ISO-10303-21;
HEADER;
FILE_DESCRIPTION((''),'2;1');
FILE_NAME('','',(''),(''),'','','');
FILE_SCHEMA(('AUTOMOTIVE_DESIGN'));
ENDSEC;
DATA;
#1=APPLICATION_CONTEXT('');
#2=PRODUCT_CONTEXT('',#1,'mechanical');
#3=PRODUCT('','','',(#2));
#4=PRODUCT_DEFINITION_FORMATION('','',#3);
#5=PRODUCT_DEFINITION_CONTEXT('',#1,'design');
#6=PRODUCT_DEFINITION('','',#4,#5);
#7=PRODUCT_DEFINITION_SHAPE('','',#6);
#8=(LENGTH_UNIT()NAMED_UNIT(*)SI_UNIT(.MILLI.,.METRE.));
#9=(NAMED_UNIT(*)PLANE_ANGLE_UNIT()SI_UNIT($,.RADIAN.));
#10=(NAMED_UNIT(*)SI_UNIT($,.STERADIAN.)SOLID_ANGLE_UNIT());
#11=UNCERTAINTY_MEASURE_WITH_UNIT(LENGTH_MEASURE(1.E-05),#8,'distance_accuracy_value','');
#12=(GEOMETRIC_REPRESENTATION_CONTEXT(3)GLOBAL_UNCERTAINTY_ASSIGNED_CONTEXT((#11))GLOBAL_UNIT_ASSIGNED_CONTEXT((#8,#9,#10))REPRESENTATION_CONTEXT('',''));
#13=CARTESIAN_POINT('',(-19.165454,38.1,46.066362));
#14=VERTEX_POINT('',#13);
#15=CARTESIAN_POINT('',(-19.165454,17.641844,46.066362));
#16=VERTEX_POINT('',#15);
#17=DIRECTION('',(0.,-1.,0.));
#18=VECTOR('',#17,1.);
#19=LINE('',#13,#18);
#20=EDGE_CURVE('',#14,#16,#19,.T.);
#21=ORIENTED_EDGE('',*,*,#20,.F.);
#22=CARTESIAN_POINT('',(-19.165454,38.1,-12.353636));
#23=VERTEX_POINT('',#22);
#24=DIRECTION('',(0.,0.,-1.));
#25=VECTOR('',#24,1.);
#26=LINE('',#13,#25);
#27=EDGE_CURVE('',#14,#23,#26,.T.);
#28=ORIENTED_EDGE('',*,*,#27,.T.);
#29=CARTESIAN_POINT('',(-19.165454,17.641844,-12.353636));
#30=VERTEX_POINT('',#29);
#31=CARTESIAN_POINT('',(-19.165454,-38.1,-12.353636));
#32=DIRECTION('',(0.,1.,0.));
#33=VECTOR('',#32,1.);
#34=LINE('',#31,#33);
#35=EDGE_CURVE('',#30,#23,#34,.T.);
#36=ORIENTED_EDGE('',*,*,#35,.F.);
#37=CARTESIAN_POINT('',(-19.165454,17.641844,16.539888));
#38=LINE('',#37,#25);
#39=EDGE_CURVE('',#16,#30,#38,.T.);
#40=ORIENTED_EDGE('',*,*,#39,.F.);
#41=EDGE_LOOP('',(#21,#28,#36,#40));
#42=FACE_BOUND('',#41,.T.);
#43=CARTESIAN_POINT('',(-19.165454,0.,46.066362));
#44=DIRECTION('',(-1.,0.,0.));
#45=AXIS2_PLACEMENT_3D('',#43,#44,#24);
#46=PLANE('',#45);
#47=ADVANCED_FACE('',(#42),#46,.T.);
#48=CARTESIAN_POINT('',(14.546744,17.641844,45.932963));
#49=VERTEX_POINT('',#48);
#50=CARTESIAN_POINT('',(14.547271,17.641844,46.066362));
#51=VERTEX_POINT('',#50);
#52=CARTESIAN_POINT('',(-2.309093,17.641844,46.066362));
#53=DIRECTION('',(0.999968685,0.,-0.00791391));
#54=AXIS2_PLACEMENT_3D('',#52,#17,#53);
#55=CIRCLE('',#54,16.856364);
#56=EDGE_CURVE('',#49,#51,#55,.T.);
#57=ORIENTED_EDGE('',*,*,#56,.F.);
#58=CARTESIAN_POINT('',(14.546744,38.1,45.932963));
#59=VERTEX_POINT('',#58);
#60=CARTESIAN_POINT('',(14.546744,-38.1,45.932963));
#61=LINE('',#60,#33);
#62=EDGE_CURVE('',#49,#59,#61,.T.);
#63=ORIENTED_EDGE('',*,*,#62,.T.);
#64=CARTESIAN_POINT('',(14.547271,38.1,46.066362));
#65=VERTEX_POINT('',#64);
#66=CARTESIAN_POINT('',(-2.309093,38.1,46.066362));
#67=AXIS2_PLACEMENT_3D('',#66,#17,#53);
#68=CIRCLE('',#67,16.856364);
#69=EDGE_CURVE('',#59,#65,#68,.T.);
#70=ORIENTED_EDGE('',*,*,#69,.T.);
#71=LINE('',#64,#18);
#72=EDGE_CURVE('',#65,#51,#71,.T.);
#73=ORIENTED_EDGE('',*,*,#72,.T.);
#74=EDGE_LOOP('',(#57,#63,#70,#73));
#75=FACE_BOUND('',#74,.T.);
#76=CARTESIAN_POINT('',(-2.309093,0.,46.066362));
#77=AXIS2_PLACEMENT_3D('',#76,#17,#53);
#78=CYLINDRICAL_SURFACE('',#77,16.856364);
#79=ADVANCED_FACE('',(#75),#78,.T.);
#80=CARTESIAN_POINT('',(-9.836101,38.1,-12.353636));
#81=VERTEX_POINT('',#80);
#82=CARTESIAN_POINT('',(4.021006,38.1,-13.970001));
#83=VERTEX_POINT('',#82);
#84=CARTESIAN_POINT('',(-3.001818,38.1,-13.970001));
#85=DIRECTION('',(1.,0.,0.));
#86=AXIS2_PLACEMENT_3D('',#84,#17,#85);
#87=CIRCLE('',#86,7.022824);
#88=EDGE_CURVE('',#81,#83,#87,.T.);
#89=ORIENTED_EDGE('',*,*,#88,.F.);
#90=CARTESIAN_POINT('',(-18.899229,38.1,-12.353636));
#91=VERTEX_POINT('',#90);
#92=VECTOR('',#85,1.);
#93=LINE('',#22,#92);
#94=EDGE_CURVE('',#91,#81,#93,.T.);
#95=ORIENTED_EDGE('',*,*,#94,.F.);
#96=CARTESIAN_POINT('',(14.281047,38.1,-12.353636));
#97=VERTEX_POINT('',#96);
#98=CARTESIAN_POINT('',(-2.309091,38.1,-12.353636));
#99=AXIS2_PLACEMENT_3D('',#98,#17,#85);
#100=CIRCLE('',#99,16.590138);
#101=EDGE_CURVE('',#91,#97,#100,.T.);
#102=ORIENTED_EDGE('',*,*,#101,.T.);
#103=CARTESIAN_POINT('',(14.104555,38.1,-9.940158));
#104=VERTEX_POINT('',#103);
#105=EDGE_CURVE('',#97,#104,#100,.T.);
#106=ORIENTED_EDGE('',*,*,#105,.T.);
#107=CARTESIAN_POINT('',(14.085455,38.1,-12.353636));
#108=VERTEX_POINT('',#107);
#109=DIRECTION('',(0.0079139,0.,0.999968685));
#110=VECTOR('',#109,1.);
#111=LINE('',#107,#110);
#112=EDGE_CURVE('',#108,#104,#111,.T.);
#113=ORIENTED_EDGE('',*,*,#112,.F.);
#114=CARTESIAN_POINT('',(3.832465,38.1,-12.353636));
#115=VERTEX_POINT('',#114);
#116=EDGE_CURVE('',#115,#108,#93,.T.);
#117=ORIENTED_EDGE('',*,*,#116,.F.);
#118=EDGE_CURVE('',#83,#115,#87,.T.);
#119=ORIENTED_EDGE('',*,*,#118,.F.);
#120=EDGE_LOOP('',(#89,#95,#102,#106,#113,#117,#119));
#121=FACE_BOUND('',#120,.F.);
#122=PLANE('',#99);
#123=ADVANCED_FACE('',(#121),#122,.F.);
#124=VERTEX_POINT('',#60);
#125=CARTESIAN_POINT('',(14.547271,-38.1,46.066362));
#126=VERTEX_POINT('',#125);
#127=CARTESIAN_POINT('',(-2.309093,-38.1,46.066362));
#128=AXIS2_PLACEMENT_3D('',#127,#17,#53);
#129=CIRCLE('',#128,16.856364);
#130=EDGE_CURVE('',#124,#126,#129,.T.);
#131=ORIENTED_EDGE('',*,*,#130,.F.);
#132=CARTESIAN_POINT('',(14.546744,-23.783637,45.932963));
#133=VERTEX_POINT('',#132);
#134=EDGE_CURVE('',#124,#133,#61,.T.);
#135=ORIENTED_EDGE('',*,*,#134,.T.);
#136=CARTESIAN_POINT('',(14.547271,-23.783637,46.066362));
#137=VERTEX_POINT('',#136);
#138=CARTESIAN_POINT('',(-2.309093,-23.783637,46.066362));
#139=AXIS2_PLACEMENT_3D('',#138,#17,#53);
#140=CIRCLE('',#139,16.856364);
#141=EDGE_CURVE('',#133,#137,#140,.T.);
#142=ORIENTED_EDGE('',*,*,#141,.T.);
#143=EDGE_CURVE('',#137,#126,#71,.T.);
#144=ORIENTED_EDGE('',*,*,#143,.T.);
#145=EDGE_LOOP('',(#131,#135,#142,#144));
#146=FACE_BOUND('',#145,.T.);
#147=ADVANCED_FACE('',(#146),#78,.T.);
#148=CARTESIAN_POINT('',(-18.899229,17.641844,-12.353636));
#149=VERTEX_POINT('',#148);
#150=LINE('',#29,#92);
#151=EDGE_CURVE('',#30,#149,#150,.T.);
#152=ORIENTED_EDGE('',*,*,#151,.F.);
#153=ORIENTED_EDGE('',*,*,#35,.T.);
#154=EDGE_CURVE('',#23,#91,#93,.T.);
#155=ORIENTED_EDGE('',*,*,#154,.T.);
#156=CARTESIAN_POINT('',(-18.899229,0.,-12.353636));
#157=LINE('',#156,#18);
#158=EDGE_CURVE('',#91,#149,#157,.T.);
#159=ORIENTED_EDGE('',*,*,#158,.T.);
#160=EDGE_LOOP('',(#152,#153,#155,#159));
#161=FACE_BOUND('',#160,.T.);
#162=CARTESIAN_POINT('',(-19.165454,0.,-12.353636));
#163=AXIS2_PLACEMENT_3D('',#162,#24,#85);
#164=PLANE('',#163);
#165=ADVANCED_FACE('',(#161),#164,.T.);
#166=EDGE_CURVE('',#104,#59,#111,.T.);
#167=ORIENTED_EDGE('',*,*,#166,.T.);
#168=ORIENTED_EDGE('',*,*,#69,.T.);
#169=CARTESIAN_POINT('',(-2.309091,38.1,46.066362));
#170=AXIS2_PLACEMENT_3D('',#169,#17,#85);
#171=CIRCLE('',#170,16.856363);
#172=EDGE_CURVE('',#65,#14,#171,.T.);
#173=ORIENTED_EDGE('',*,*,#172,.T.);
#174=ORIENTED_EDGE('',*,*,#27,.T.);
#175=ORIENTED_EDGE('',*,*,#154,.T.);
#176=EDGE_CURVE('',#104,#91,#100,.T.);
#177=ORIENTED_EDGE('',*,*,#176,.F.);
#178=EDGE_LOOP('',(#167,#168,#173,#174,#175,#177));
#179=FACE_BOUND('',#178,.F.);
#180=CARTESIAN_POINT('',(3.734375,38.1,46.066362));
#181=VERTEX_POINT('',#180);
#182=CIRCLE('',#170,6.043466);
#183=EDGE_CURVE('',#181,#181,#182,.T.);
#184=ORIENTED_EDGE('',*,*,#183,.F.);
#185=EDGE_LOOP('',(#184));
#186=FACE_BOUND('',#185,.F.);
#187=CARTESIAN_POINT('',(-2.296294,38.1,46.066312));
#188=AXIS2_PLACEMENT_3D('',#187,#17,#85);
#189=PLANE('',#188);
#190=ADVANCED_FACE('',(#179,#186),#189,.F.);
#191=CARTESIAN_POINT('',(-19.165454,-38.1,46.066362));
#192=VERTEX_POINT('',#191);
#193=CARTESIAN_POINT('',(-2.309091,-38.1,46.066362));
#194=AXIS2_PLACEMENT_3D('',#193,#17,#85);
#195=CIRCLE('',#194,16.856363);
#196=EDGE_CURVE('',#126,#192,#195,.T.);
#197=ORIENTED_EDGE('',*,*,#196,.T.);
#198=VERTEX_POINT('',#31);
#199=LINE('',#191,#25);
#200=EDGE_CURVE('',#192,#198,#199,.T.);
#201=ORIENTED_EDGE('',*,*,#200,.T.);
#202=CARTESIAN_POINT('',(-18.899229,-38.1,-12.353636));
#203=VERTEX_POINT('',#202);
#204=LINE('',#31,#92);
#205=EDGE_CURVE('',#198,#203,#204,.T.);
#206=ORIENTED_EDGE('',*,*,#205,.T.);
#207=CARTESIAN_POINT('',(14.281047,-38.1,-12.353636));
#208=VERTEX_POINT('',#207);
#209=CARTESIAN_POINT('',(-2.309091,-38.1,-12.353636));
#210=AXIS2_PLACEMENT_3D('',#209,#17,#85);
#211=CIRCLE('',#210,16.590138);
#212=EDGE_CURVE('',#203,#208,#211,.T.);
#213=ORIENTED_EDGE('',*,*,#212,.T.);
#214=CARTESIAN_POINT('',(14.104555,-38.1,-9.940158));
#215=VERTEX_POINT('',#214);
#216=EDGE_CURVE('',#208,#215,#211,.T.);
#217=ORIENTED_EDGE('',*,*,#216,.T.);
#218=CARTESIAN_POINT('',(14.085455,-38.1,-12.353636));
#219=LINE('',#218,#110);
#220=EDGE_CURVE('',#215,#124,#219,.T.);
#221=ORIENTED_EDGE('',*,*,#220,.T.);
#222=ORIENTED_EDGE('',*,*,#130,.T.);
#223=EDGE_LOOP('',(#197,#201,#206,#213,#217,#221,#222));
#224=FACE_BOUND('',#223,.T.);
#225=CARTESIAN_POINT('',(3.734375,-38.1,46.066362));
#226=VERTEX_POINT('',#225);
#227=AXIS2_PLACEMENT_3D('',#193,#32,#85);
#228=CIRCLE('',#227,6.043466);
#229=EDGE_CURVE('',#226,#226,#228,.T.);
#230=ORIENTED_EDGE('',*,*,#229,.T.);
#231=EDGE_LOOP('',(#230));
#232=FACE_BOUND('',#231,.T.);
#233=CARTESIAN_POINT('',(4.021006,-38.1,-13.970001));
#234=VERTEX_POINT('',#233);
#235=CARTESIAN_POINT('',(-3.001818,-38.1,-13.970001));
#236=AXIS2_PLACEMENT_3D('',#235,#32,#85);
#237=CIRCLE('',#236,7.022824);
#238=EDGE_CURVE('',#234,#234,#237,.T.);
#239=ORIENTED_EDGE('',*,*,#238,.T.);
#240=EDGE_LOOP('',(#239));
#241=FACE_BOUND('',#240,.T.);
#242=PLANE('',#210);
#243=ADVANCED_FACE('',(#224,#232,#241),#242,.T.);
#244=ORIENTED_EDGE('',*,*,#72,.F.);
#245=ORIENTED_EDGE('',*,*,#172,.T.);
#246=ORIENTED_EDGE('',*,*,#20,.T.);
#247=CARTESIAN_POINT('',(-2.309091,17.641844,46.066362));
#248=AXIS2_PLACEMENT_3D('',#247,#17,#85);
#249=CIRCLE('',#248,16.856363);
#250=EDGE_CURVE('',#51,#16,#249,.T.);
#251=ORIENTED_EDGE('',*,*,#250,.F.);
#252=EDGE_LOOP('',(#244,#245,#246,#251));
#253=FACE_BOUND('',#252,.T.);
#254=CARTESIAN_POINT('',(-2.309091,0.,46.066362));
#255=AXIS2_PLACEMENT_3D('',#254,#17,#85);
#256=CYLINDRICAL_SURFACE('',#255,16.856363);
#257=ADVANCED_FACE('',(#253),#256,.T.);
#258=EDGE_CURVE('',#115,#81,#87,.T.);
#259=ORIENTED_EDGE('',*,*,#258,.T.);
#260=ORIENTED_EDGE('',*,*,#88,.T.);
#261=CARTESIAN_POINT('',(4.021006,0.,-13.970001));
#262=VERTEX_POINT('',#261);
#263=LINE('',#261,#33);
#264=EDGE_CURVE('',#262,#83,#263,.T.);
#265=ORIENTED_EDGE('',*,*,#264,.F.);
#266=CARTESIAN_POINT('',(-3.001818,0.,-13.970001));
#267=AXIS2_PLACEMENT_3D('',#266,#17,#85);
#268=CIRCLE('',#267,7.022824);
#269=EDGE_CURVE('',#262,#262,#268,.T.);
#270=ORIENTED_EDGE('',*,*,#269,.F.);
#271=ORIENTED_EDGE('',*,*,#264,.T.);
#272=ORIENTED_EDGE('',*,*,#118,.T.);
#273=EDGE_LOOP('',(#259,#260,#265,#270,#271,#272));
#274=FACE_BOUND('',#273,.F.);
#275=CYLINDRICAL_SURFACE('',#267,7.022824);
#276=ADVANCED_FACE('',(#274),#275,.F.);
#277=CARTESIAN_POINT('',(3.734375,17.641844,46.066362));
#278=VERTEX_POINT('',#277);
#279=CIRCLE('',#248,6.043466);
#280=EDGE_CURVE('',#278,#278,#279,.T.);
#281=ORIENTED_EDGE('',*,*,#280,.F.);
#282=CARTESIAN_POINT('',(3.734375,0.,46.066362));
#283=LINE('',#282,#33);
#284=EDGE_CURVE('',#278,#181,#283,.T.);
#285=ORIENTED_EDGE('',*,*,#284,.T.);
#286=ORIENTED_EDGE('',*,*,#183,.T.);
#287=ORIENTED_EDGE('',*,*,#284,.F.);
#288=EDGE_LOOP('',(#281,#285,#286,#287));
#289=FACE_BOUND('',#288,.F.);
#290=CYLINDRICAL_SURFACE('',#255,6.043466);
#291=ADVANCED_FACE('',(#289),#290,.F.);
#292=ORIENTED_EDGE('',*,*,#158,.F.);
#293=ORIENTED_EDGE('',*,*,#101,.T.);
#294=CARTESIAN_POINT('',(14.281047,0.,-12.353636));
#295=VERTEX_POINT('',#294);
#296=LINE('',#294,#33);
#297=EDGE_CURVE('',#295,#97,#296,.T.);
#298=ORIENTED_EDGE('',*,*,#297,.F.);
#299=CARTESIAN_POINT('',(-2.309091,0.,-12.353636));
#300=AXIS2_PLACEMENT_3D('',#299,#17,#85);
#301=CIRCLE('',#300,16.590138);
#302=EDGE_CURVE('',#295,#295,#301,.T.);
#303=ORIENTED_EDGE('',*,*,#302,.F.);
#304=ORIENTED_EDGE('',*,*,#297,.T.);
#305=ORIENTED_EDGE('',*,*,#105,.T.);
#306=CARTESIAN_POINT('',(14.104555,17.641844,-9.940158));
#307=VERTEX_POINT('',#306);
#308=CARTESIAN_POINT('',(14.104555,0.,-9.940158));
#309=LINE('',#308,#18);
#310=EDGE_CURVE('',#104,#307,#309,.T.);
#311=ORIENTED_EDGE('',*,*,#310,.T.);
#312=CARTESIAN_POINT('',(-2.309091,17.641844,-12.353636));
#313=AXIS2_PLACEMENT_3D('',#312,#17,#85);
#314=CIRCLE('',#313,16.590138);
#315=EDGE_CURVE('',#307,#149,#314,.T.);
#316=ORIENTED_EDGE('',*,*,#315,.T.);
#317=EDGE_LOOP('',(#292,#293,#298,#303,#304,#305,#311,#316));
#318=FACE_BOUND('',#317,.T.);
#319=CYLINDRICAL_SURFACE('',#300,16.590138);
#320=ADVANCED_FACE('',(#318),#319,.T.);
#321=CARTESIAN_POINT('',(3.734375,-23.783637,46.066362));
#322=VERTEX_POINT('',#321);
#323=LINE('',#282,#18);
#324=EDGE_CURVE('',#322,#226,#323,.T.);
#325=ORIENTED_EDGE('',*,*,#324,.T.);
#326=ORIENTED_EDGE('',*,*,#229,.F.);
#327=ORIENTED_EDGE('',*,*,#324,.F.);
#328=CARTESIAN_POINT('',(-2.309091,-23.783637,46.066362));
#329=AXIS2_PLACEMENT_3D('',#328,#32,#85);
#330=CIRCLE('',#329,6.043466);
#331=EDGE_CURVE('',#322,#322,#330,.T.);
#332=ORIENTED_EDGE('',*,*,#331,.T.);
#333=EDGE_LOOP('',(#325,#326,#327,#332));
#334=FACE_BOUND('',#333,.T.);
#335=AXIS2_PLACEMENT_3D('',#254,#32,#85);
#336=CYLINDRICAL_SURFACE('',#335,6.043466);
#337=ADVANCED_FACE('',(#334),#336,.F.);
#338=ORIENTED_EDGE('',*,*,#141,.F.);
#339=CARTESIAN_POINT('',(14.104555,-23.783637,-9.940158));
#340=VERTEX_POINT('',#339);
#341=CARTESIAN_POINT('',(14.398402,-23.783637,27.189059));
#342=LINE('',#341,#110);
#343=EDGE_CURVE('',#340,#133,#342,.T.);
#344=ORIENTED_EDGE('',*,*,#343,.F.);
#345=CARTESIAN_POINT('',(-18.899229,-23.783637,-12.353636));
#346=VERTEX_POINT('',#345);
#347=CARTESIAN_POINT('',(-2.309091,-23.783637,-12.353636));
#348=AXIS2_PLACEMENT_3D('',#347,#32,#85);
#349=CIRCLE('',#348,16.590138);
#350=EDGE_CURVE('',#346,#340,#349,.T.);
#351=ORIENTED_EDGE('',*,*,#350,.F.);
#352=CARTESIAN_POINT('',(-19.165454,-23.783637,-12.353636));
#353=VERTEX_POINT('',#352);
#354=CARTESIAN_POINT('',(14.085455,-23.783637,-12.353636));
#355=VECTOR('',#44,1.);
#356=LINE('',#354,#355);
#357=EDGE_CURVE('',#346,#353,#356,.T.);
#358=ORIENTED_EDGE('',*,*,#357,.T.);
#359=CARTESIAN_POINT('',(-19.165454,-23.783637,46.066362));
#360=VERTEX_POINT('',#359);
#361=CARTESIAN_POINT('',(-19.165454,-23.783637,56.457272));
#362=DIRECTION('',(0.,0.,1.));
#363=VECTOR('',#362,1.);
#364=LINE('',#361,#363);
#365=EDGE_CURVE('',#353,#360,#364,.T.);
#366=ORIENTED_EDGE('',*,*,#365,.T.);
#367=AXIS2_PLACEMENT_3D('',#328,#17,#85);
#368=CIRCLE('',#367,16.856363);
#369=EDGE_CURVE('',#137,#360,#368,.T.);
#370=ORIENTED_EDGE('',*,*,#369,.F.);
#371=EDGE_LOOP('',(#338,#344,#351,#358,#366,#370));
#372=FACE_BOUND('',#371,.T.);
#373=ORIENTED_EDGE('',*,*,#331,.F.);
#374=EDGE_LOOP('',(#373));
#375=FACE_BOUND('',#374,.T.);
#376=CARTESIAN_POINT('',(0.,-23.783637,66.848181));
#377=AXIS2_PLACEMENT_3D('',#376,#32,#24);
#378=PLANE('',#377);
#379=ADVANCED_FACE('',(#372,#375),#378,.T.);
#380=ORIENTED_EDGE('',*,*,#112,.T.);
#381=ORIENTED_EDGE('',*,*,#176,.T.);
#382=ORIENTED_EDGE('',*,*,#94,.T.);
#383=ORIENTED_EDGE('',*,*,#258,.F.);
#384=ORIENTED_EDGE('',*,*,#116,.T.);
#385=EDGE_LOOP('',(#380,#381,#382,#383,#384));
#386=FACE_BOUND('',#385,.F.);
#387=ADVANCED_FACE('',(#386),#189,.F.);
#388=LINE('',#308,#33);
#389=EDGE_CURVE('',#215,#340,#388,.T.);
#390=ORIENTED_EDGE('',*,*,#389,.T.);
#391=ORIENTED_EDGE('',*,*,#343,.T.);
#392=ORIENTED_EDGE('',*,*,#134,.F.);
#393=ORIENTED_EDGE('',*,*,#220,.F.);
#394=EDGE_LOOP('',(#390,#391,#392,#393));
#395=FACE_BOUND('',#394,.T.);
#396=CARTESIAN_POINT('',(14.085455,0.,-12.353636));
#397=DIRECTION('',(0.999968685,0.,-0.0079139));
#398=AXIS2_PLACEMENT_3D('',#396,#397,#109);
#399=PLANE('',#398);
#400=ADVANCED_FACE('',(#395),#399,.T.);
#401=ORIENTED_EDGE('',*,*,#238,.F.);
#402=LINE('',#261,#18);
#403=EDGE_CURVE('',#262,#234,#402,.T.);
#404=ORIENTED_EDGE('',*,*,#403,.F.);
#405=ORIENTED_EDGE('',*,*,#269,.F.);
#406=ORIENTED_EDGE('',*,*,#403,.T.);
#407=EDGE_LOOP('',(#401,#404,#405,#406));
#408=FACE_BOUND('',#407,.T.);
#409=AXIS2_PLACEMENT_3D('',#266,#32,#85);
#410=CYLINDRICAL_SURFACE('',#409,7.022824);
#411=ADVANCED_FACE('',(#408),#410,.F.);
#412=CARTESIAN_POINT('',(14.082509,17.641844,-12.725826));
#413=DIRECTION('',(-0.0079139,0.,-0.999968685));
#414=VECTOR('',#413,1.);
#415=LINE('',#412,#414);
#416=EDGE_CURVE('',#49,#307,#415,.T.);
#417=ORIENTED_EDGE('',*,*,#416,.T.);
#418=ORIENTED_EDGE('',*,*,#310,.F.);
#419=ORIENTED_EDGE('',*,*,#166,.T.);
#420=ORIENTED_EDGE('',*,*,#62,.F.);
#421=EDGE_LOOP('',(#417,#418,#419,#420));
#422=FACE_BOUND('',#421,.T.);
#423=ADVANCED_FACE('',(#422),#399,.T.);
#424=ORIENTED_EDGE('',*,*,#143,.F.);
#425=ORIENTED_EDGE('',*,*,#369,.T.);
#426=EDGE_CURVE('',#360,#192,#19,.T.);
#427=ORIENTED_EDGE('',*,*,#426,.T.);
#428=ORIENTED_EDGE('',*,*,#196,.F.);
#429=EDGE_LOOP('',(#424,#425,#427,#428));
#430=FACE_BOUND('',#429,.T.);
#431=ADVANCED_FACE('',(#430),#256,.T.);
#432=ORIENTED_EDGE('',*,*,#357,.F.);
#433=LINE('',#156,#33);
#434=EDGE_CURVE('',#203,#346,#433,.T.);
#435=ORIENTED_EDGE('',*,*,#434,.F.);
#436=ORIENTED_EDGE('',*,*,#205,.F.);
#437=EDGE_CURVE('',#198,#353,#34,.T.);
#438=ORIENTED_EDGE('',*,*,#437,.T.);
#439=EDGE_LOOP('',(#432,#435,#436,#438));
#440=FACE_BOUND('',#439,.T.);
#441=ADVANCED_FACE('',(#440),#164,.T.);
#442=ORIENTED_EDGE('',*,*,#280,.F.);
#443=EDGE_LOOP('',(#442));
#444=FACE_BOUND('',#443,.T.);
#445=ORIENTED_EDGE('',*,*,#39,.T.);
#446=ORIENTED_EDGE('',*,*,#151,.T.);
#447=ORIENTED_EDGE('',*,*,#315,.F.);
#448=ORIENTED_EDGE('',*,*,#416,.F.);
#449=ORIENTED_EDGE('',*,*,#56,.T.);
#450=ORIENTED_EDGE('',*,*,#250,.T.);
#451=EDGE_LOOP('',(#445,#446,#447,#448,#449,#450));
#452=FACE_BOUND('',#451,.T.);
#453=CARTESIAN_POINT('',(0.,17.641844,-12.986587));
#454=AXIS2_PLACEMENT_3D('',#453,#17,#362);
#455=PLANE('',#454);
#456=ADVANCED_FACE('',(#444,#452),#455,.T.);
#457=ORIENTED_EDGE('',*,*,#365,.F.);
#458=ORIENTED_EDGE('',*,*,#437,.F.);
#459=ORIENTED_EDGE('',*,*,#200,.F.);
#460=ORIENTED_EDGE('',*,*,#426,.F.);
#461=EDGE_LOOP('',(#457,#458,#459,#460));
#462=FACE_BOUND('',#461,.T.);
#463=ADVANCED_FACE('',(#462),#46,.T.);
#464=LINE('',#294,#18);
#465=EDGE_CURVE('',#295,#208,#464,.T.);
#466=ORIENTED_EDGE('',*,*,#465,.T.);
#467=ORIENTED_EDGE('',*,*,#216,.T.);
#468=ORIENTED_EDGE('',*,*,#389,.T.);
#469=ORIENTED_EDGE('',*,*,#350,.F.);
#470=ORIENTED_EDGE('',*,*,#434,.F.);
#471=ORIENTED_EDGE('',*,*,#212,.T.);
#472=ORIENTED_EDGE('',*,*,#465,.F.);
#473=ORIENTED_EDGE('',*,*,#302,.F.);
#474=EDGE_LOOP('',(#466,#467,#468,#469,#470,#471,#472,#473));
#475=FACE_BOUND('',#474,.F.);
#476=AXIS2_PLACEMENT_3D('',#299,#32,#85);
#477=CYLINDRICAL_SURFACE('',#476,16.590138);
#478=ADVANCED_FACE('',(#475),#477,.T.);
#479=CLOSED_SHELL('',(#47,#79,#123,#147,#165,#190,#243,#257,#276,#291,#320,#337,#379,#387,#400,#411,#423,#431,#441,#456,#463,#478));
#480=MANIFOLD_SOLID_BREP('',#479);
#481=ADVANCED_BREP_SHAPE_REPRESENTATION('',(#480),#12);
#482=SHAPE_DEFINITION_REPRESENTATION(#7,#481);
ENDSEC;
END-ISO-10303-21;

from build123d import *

# Parameters (mm, degrees)
F1_DEPTH      = 38.1
F1_DEPTH_BACK = 38.1
F3_DEPTH      = 19.1664542539
F3_DEPTH_BACK = 14.5482714754
F4_R          = 16.5901380348
F5_DEPTH      = 38.1
F5_DEPTH_BACK = 38.1
F6_R          = 6.0434661234
F6_R_2        = 7.0228239136
F7_DEPTH      = 38.101
F7_DEPTH_BACK = 38.1


with BuildPart() as f1:
    # F0 (on Front) → F1 (new body, two sides)
    with BuildSketch(Plane.XZ) as f1_sk:
        with BuildLine():
            ThreePointArc((14.5467436103, 45.9329626612), (14.5471395086, 45.9996620138), (14.5472714754, 46.0663624108))
            ThreePointArc((14.5472714754, 46.0663624108), (-2.3090913892, 62.9227252754), (-19.1654542538, 46.0663624108))
            ThreePointArc((-19.1654542538, 46.0663624108), (-2.3757917862, 29.210131513), (14.5467436103, 45.9329626612))
        make_face()
        with BuildLine():
            ThreePointArc((14.5467436103, 45.9329626612), (-2.3757917862, 29.210131513), (-19.1654542538, 46.0663624108))
            Line((-19.1654542538, 46.0663624108), (-19.1654542538, -12.3536363244))
            Line((-19.1654542538, -12.3536363244), (14.0854548663, -12.3536363244))
            Line((14.0854548663, -12.3536363244), (14.5467436103, 45.9329626612))
        make_face()
    extrude(amount=F1_DEPTH)
    extrude(f1_sk.sketch, amount=-F1_DEPTH_BACK)

    # F2 (on Right) → F3 (cut, two sides)
    with BuildSketch(Plane.YZ) as f3_sk:
        Polygon((17.6418442279, 67.0483036786), (-23.7836372107, 66.8481811881), (-23.7836372107, -12.9865873605), (17.6418442279, -12.9865873605), align=None)
    extrude(amount=-F3_DEPTH, mode=Mode.SUBTRACT)
    extrude(f3_sk.sketch, amount=F3_DEPTH_BACK, mode=Mode.SUBTRACT)

    # F4 (on Front) → F5 (join, two sides)
    with BuildSketch(Plane.XZ) as f5_sk:
        with Locations((-2.3090913892, -12.3536363244)):
            Circle(F4_R)
    extrude(amount=F5_DEPTH)
    extrude(f5_sk.sketch, amount=-F5_DEPTH_BACK)

    # F6 (on Front) → F7 (cut, two sides)
    with BuildSketch(Plane.XZ) as f7_sk:
        with Locations((-2.3090913892, 46.0663624108)):
            Circle(F6_R)
        with Locations((-3.0018182006, -13.9700006694)):
            Circle(F6_R_2)
    extrude(amount=F7_DEPTH, mode=Mode.SUBTRACT)
    extrude(f7_sk.sketch, amount=-F7_DEPTH_BACK, mode=Mode.SUBTRACT)


solid = f1.part
